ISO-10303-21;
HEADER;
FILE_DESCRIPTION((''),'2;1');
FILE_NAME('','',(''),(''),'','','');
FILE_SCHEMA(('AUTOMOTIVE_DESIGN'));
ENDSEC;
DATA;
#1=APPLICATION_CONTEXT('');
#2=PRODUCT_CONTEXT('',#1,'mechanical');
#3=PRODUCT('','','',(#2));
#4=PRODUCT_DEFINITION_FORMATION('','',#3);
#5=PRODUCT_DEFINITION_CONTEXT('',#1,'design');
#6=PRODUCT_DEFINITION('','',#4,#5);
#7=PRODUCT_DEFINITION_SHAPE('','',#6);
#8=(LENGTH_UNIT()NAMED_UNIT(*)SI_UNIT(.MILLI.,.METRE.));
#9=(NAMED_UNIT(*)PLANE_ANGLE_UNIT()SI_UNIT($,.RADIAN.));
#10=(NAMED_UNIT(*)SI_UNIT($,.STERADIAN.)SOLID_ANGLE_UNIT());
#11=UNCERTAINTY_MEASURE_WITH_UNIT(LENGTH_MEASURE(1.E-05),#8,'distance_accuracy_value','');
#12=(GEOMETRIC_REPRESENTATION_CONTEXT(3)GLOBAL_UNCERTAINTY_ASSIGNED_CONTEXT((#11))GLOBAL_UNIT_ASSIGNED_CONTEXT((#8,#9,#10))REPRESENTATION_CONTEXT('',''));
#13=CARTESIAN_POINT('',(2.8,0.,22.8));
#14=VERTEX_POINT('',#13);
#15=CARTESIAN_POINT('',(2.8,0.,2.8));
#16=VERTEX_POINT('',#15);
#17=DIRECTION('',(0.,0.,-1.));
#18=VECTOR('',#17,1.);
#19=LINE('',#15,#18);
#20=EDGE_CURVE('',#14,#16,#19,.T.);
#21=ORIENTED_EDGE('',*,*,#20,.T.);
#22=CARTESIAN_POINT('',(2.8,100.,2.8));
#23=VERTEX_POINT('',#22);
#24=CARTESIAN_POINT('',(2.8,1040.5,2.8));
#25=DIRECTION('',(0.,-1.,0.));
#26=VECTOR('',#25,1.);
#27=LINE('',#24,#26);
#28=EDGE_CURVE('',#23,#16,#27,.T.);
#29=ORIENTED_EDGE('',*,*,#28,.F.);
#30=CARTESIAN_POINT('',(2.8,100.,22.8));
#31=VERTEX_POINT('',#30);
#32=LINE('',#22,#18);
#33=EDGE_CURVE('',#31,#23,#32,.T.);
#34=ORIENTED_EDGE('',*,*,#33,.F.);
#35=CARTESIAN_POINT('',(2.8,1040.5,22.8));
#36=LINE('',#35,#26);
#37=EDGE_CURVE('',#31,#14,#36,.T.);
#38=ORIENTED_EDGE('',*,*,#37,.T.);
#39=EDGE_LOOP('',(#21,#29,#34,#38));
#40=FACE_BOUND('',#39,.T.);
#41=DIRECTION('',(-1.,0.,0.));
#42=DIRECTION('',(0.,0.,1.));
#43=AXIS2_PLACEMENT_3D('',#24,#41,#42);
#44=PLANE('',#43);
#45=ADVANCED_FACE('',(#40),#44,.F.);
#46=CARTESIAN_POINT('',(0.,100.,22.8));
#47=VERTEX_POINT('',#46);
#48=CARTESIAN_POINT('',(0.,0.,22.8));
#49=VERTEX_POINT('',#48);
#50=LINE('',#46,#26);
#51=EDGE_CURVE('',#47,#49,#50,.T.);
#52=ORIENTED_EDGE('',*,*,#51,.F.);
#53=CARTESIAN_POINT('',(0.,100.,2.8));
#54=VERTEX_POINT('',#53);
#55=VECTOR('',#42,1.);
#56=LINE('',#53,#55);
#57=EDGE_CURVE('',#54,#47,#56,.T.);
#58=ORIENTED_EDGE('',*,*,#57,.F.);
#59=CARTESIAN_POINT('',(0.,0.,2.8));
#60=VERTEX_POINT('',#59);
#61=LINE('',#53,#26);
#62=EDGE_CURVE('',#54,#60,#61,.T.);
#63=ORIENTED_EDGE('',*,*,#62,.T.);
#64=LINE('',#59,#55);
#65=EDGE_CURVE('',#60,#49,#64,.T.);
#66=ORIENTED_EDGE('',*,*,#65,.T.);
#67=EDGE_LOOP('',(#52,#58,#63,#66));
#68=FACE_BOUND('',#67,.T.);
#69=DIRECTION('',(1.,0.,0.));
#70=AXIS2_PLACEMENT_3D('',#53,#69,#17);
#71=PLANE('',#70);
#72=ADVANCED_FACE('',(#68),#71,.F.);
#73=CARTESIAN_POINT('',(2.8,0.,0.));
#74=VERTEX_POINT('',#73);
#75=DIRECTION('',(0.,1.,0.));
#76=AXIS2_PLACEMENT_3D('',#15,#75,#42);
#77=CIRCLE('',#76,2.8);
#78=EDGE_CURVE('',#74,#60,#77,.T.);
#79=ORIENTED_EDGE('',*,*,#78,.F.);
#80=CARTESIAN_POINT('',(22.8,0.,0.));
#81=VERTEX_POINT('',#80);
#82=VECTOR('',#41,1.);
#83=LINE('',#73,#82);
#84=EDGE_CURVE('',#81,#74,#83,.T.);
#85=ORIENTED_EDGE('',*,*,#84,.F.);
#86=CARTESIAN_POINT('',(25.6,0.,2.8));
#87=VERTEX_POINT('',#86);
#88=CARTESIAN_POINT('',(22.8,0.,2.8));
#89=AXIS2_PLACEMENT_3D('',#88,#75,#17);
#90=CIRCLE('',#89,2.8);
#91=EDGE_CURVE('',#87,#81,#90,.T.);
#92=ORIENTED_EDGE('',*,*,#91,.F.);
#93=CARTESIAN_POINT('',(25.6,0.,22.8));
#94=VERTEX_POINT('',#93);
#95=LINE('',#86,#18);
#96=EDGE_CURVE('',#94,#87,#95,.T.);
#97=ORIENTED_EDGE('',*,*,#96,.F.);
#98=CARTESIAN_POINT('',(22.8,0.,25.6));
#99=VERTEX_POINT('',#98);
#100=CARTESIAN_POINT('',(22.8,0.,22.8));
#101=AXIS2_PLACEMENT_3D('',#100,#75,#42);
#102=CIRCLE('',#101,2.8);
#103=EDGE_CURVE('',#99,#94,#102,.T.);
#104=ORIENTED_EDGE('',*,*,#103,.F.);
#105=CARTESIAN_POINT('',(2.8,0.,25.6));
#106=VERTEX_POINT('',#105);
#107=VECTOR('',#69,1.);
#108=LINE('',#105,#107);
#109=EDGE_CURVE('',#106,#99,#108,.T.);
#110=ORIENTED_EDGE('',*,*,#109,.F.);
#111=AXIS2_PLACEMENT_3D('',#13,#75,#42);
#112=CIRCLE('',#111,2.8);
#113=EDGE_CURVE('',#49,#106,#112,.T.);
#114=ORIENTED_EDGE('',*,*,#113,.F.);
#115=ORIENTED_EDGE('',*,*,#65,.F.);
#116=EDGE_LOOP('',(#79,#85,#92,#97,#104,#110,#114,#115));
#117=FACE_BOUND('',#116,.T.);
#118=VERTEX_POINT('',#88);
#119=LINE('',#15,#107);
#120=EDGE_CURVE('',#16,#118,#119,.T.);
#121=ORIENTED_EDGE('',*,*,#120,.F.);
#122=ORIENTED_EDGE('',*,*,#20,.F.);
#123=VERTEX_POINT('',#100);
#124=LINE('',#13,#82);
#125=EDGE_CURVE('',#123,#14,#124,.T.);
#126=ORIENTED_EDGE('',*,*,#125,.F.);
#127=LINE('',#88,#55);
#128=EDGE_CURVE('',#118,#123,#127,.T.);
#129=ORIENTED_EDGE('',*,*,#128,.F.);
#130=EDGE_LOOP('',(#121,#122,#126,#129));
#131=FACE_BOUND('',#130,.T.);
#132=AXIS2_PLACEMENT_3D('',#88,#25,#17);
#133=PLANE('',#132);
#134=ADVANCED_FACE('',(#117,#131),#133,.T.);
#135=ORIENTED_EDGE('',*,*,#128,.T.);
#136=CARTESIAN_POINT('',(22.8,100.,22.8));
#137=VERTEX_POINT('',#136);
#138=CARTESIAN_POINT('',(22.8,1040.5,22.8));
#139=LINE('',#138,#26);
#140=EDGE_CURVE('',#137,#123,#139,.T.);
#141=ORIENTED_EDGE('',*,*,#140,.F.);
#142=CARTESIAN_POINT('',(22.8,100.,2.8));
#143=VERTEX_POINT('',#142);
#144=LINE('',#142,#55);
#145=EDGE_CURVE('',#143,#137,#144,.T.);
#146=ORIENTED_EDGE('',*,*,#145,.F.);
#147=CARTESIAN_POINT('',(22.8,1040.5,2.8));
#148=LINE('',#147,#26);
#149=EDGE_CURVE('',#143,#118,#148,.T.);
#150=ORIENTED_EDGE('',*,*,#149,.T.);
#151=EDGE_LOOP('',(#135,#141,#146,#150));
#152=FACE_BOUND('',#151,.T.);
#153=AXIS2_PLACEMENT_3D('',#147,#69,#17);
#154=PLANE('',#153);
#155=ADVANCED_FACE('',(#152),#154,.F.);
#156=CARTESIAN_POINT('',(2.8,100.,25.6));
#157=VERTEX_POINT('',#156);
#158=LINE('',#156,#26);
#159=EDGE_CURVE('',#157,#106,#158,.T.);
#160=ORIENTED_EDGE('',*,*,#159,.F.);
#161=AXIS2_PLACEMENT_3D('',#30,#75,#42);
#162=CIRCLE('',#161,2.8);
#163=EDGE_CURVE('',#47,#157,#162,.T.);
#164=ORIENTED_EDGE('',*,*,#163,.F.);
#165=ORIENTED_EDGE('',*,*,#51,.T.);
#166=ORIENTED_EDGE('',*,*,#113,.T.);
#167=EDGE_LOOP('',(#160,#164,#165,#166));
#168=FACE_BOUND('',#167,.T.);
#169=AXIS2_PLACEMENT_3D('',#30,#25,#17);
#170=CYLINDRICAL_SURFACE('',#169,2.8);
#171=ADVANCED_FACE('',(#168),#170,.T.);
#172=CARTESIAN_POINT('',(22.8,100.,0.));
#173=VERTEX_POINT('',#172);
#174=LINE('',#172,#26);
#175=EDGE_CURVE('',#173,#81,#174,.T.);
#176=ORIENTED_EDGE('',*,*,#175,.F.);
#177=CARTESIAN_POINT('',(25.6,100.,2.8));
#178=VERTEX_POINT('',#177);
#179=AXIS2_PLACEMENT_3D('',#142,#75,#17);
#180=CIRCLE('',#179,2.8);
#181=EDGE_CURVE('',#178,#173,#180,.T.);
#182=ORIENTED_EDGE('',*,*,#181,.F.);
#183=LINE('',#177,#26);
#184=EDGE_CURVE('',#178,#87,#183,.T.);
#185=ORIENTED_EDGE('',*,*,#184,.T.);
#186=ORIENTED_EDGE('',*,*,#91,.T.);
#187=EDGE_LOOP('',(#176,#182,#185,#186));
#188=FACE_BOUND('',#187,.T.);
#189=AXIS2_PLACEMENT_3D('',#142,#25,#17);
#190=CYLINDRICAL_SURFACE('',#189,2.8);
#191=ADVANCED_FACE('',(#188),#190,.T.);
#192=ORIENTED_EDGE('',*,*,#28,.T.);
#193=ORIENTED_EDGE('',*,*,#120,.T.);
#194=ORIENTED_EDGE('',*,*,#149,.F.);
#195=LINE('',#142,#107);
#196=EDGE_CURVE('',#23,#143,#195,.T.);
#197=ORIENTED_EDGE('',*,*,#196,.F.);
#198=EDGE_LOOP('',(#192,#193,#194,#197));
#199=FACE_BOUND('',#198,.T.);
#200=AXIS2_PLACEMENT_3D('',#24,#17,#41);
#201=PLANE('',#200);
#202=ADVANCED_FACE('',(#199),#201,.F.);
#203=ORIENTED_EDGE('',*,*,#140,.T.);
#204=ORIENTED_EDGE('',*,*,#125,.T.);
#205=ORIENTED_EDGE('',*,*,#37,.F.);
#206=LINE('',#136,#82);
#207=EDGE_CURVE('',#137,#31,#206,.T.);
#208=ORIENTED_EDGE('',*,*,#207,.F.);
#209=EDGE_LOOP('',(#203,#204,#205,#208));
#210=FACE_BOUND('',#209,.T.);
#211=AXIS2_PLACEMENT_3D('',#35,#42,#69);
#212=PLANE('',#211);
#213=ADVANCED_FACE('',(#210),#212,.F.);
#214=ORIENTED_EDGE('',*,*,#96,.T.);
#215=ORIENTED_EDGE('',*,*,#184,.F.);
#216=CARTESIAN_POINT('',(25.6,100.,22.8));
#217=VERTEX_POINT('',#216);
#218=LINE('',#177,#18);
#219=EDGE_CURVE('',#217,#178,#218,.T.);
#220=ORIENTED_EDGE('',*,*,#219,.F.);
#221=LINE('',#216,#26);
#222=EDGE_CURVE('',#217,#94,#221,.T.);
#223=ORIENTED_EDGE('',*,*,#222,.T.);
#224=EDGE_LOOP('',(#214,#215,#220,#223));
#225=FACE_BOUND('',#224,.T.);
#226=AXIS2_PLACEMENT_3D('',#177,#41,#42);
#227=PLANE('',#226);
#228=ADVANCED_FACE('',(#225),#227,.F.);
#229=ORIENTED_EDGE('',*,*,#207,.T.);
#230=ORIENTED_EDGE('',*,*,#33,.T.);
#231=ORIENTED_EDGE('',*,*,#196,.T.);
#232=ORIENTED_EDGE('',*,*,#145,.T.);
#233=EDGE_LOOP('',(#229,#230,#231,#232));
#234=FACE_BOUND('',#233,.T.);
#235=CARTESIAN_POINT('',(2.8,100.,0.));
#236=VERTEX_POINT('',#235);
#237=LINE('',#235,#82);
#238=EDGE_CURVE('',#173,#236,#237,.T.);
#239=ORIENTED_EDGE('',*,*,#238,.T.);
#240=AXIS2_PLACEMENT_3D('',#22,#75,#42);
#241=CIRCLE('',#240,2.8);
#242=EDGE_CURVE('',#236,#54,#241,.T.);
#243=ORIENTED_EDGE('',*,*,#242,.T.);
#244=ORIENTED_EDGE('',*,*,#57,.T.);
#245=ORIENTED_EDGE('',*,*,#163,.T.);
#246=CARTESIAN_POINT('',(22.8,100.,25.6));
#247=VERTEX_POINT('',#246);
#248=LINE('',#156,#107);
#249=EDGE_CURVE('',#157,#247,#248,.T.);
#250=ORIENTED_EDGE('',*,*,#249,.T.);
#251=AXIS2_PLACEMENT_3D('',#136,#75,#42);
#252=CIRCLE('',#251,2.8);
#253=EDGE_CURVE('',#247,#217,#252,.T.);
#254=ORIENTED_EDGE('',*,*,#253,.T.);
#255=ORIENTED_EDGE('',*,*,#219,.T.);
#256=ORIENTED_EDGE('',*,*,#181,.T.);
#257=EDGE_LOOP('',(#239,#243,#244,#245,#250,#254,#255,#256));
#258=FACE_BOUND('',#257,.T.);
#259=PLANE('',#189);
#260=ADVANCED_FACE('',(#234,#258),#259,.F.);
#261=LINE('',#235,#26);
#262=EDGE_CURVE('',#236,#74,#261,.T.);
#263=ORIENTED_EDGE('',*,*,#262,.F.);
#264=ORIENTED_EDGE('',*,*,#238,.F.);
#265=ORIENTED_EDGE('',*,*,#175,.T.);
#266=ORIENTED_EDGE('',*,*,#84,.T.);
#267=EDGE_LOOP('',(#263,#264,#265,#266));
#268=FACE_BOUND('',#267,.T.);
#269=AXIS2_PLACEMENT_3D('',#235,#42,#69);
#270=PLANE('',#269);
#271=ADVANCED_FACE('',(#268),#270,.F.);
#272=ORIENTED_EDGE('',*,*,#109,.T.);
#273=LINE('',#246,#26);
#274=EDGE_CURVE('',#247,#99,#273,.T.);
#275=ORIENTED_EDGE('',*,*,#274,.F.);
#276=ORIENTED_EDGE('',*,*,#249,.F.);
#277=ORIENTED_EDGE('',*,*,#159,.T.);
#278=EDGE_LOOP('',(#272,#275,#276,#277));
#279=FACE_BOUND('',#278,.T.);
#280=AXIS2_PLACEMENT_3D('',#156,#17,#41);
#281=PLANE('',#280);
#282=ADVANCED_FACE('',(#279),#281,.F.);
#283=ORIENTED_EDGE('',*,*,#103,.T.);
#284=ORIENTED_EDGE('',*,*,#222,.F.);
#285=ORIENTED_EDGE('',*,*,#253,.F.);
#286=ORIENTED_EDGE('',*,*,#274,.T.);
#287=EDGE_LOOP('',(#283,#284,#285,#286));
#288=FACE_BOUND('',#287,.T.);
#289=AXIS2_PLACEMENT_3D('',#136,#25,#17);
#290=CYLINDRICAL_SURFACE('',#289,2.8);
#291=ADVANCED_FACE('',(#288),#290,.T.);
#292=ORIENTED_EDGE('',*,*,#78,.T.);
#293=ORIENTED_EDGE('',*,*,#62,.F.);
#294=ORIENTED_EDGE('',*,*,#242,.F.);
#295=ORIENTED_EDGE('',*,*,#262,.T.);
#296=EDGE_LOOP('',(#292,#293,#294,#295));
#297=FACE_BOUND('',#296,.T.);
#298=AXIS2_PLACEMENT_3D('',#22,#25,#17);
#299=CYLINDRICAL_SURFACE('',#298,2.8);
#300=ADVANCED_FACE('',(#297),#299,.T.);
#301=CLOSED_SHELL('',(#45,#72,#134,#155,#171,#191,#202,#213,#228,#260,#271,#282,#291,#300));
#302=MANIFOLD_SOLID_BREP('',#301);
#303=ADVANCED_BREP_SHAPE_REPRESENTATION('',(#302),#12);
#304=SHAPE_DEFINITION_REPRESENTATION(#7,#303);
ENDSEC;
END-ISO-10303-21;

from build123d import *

# Parameters (mm, degrees)
BOSS_EXTRUDE1_DEPTH = 100
SKETCH3_W           = 20
SKETCH3_H           = 20
CUT_EXTRUDE1_DEPTH  = 1040.5


with BuildPart() as part:
    # Sketch1 → Boss-Extrude1 (new body)
    with BuildSketch(Plane(origin=(0, 0, 0), x_dir=(1, 0, 0), z_dir=(0, 1, 0))):
        with BuildLine():
            Line((2.8, 0), (22.8, 0))
            ThreePointArc((22.8, 0), (24.779898987, -0.820101013), (25.6, -2.8))
            Line((25.6, -2.8), (25.6, -22.8))
            ThreePointArc((25.6, -22.8), (24.779898987, -24.779898987), (22.8, -25.6))
            Line((22.8, -25.6), (2.8, -25.6))
            ThreePointArc((2.8, -25.6), (0.820101013, -24.779898987), (0, -22.8))
            Line((0, -22.8), (0, -2.8))
            ThreePointArc((0, -2.8), (0.820101013, -0.820101013), (2.8, 0))
        make_face()
    extrude(amount=BOSS_EXTRUDE1_DEPTH)

    # Sketch3 → Cut-Extrude1 (cut)
    with BuildSketch(Plane(origin=(0, 0, 0), x_dir=(-1, 0, 0), z_dir=(0, -1, 0))):
        with Locations((-12.8, -12.8)):
            Rectangle(SKETCH3_W, SKETCH3_H)
    extrude(amount=-CUT_EXTRUDE1_DEPTH, mode=Mode.SUBTRACT)


solid = part.part
